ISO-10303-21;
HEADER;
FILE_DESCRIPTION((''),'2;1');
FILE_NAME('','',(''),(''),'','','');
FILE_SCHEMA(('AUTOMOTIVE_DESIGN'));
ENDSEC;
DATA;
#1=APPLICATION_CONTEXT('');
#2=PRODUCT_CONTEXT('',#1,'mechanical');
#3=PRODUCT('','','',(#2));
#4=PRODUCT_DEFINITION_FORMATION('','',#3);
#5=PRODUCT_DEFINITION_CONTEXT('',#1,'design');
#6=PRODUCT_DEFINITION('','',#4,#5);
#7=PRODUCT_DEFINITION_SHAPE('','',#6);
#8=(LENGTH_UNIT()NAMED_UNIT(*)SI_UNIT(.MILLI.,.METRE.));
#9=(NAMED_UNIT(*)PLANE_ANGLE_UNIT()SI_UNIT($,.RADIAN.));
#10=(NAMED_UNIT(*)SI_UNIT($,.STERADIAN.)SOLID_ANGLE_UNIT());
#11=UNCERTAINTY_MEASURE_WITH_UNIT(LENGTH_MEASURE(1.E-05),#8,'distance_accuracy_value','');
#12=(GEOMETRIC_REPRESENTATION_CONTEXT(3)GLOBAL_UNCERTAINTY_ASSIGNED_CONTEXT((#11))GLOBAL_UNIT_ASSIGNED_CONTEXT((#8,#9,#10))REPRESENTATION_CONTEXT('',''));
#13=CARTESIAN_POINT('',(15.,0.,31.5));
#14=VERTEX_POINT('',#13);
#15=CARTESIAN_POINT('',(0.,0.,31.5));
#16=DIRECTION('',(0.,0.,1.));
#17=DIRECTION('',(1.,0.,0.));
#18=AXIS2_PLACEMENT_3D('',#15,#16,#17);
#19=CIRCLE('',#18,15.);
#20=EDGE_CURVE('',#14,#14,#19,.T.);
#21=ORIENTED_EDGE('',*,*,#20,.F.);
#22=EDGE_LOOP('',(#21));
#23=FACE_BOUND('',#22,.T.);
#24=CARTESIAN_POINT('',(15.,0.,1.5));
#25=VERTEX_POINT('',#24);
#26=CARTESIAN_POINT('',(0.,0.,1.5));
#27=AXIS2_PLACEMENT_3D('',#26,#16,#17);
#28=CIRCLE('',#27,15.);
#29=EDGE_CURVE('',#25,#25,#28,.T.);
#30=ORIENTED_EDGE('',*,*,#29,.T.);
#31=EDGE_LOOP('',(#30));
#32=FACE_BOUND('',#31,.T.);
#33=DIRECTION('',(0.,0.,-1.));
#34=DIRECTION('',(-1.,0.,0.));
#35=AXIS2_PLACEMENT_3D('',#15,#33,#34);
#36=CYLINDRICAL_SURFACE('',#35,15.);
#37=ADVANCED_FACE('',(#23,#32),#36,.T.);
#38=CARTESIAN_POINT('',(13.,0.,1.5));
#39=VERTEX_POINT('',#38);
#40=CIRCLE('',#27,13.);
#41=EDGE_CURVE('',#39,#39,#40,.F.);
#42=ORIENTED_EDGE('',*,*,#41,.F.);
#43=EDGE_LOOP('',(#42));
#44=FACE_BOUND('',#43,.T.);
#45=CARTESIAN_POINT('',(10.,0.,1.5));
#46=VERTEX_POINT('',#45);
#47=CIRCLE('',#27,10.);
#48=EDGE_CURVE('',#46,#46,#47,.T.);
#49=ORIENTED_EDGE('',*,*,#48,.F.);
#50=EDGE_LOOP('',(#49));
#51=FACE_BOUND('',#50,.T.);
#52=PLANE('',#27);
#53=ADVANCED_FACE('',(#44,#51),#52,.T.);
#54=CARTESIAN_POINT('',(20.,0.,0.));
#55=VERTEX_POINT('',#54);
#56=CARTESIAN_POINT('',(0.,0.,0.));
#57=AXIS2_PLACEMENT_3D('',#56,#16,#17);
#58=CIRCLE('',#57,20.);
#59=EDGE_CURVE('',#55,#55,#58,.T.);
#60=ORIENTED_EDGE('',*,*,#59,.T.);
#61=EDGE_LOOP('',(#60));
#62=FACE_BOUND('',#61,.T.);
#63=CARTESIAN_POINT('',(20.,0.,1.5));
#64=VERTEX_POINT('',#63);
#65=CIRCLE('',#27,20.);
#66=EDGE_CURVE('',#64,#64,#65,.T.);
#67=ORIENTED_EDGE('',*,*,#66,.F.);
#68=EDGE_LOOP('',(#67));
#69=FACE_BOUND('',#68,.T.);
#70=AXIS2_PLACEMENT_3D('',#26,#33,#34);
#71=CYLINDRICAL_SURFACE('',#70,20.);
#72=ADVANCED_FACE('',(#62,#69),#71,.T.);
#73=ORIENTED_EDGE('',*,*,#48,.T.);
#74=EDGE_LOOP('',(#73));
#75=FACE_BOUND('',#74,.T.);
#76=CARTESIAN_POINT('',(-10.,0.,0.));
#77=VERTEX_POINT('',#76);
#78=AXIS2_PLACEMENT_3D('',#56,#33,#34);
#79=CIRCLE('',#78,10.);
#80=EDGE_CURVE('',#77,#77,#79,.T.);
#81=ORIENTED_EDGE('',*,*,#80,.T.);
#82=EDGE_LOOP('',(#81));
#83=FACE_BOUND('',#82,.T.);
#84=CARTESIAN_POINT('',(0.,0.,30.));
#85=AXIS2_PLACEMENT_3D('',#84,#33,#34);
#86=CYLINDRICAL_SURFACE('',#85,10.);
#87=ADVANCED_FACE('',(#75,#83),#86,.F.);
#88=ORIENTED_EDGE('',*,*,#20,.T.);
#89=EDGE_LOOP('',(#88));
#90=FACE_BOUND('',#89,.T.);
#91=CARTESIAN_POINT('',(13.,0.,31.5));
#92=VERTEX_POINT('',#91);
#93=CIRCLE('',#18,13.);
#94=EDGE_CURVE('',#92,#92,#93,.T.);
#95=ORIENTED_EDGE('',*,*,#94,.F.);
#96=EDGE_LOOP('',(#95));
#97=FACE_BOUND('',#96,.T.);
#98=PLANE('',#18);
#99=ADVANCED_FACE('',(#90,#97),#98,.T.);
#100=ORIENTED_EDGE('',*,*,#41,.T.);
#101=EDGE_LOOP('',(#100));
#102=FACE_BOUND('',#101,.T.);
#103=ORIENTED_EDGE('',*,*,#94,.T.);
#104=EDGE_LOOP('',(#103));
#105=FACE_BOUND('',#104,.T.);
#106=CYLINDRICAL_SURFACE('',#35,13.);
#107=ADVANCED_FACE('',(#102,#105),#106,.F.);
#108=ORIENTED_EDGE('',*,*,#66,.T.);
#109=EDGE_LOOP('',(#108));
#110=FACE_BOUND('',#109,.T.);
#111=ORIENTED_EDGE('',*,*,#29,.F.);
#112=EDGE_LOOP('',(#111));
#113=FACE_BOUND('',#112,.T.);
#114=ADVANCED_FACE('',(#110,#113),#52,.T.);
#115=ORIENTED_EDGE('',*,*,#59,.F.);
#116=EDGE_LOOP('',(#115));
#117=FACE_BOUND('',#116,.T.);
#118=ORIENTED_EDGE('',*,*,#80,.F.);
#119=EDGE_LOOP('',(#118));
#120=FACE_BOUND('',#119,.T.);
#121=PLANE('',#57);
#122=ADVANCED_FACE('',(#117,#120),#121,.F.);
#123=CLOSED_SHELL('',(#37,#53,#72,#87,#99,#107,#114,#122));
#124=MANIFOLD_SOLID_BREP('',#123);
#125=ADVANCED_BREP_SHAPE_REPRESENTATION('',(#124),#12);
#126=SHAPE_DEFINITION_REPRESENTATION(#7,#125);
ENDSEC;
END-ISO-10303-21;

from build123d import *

# Parameters (mm, degrees)
SKETCH1_R           = 20
BOSS_EXTRUDE1_DEPTH = 1.5
SKETCH2_R           = 15
SKETCH2_R_2         = 13
BOSS_EXTRUDE2_DEPTH = 30
SKETCH3_R           = 10
CUT_EXTRUDE1_DEPTH  = 30


with BuildPart() as part:
    # Sketch1 → Boss-Extrude1 (new body)
    with BuildSketch(Plane.XY):
        Circle(SKETCH1_R)
    extrude(amount=BOSS_EXTRUDE1_DEPTH)

    # Sketch2 → Boss-Extrude2 (add)
    with BuildSketch(Plane.XY.offset(1.5)):
        Circle(SKETCH2_R)
        Circle(SKETCH2_R_2, mode=Mode.SUBTRACT)
    extrude(amount=BOSS_EXTRUDE2_DEPTH)

    # Sketch3 → Cut-Extrude1 (cut)
    with BuildSketch(Plane(origin=(0, 0, 0), x_dir=(-1, 0, 0), z_dir=(0, 0, -1))):
        Circle(SKETCH3_R)
    extrude(amount=-CUT_EXTRUDE1_DEPTH, mode=Mode.SUBTRACT)


solid = part.part
